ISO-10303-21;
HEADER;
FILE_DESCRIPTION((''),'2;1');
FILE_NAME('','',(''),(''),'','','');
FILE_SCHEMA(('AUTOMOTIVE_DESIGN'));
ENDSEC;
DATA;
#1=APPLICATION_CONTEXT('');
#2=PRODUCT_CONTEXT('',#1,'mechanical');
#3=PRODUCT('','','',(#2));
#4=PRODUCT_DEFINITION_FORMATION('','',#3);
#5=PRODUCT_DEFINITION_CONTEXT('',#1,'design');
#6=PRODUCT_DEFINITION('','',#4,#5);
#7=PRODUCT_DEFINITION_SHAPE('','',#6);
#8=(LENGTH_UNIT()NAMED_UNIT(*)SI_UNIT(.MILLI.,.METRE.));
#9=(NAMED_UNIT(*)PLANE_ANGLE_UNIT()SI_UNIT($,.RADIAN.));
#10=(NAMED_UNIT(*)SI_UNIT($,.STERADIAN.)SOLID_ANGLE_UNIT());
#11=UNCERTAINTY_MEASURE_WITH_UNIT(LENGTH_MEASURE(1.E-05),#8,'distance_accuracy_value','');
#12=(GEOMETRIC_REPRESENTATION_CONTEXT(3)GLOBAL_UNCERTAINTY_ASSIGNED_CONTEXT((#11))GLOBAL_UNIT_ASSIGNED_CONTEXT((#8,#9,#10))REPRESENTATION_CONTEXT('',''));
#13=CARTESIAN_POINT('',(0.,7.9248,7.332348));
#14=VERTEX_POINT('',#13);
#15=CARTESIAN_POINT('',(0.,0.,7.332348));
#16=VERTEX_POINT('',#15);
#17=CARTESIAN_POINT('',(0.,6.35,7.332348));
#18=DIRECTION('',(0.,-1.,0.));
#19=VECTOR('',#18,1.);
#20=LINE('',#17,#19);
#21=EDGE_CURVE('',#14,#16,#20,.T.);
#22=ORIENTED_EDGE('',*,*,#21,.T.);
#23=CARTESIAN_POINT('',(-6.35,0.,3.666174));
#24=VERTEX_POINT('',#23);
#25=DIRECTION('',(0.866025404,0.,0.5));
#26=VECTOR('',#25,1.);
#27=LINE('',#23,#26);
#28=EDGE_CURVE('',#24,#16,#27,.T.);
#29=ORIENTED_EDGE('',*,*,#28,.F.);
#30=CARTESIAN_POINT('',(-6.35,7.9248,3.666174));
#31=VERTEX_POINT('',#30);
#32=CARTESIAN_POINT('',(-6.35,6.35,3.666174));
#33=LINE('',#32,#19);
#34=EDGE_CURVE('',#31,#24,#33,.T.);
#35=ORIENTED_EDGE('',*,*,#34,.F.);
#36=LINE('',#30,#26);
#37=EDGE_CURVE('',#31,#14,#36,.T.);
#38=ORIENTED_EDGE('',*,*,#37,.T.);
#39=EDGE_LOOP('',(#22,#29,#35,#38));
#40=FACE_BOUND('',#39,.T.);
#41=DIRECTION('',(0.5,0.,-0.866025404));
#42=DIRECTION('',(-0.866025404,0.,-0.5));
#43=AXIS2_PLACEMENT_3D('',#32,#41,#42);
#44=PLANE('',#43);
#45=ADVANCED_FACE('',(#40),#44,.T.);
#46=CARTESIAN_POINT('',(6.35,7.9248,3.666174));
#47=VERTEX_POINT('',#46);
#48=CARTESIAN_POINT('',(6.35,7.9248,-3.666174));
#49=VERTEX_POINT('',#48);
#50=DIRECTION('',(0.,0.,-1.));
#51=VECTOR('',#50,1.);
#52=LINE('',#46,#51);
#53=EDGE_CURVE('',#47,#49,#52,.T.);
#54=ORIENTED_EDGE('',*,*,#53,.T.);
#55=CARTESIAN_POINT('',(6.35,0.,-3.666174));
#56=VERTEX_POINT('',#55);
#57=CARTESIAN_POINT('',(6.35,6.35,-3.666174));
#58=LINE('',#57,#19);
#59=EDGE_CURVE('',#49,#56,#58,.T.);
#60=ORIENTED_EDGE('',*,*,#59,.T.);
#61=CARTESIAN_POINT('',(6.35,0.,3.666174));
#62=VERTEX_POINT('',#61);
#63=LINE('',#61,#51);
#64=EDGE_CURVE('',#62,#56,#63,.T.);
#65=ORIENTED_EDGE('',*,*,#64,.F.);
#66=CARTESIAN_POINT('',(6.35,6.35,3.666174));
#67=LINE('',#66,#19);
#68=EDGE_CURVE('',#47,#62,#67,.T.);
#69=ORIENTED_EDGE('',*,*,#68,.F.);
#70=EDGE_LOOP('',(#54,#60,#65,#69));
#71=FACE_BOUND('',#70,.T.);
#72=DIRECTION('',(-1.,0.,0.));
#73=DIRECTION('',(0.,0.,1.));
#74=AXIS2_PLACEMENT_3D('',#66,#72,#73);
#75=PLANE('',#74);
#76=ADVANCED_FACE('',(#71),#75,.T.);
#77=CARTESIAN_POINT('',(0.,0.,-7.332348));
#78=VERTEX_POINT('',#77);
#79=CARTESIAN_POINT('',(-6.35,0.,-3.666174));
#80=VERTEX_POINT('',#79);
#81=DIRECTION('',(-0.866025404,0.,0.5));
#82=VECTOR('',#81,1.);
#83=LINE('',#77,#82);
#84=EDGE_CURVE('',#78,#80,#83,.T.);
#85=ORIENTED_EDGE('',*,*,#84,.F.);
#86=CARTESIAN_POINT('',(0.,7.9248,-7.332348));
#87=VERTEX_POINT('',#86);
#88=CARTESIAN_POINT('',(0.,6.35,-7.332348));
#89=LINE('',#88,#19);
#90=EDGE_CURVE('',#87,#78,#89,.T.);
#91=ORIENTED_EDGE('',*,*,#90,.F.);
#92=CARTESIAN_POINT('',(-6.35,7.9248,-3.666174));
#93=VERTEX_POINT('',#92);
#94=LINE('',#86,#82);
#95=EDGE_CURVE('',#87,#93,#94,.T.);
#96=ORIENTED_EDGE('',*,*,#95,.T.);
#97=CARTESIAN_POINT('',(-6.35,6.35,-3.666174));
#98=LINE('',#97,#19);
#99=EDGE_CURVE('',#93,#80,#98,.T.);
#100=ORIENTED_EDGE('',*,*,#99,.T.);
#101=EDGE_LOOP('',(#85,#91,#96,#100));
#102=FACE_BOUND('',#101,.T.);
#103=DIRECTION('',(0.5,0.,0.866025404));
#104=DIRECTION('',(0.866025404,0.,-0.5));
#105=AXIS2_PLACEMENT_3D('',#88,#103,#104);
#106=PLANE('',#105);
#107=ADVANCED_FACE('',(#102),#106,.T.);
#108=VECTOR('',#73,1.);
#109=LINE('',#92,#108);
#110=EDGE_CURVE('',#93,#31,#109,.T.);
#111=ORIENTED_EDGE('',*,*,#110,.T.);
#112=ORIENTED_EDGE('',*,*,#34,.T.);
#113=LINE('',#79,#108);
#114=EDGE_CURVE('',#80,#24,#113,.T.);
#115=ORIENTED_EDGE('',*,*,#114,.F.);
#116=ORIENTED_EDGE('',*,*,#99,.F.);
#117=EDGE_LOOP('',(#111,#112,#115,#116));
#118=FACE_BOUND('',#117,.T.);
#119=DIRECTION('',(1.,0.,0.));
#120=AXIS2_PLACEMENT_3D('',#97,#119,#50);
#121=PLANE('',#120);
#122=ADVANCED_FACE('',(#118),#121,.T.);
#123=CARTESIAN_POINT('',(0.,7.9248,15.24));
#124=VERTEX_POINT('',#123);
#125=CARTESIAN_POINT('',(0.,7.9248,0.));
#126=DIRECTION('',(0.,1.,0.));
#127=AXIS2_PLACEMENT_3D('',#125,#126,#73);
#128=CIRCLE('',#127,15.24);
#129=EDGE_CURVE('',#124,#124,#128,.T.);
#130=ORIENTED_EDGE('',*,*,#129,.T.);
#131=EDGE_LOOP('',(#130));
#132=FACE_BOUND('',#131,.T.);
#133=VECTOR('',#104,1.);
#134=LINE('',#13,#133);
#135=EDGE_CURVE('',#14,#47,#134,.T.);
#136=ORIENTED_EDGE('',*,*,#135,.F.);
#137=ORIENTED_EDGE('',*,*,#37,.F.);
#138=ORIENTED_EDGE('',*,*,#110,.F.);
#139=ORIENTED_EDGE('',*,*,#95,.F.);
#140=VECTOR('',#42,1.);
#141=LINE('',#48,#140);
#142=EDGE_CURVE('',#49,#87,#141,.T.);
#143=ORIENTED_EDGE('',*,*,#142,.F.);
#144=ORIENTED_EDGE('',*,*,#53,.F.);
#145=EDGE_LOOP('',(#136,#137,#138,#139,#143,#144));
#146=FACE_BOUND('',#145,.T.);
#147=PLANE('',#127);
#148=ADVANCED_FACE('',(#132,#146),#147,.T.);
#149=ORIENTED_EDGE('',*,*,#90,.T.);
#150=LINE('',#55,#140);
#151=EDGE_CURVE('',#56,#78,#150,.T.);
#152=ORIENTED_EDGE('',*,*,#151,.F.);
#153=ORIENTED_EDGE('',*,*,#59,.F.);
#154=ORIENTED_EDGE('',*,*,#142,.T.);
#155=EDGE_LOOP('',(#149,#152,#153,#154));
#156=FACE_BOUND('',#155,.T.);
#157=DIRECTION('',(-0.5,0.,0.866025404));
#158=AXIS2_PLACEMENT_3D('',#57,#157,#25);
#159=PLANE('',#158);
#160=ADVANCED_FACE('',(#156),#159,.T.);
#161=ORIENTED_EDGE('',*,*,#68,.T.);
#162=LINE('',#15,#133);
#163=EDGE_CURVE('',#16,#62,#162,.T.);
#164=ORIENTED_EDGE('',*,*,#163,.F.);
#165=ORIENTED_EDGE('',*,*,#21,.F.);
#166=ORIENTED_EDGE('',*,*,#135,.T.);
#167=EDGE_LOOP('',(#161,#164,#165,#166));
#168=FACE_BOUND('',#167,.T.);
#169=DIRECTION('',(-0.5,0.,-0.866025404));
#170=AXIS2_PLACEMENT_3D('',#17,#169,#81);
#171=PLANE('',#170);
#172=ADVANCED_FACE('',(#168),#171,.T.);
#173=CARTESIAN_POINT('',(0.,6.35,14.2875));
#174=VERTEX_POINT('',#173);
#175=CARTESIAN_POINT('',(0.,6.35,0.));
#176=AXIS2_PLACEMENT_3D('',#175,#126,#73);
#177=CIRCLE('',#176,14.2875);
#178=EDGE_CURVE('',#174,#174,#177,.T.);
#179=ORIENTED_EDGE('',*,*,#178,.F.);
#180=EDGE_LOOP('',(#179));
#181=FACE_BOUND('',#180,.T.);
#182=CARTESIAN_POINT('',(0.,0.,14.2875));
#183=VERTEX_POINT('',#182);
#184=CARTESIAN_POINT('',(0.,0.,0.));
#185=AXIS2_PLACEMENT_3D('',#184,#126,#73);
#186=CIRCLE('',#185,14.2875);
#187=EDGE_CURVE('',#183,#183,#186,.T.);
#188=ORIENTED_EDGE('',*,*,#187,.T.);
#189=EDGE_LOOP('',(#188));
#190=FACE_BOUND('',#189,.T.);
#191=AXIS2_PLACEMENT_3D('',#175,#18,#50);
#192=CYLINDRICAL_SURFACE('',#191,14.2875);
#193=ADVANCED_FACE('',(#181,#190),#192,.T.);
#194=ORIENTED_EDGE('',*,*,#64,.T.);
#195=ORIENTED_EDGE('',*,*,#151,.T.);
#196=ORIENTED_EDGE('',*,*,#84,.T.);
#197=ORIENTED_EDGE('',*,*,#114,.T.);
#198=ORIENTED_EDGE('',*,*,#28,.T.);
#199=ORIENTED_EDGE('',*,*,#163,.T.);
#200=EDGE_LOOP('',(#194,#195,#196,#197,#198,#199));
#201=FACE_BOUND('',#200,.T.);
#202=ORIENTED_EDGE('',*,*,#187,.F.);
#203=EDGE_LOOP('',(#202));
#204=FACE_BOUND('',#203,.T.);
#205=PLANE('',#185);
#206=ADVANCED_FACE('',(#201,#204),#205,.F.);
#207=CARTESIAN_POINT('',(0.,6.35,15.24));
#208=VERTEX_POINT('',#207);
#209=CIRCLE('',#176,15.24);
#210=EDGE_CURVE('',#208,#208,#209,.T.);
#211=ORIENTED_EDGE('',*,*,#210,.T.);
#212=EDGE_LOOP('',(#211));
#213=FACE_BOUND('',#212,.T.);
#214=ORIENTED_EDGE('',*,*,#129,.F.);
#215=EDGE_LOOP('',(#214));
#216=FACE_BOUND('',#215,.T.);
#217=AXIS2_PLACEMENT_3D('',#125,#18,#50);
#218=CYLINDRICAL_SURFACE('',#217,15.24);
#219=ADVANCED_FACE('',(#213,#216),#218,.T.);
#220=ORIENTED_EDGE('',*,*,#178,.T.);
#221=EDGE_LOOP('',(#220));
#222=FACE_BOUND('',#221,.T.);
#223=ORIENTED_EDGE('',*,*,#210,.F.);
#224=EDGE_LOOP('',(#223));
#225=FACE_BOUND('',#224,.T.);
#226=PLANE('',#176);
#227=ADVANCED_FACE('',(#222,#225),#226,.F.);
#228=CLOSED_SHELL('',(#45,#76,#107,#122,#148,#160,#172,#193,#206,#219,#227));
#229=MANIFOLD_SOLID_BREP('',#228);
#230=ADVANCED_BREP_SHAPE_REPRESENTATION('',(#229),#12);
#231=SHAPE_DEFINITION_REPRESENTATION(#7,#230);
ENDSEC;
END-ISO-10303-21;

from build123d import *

# Parameters (mm, degrees)
SKETCH1_R           = 14.2875
BOSS_EXTRUDE1_DEPTH = 6.35
SKETCH2_R           = 15.24
BOSS_EXTRUDE2_DEPTH = 1.5748


with BuildPart() as part:
    # Sketch1 → Boss-Extrude1 (new body)
    with BuildSketch(Plane(origin=(0, 0, 0), x_dir=(1, 0, 0), z_dir=(0, 1, 0))):
        with Locations(Location((0, 0, 0), (0, 0, 270))):
            Circle(SKETCH1_R)
        Polygon((0, -7.332348419), (6.35, -3.666174209), (6.35, 3.666174209), (0, 7.332348419), (-6.35, 3.666174209), (-6.35, -3.666174209), align=None, mode=Mode.SUBTRACT)
    extrude(amount=BOSS_EXTRUDE1_DEPTH)

    # Sketch2 → Boss-Extrude2 (add)
    with BuildSketch(Plane(origin=(0, 6.35, 0), x_dir=(1, 0, 0), z_dir=(0, 1, 0))):
        with Locations(Location((0, 0, 0), (0, 0, 270))):
            Circle(SKETCH2_R)
        Polygon((0, 7.332348419), (-6.35, 3.666174209), (-6.35, -3.666174209), (0, -7.332348419), (6.35, -3.666174209), (6.35, 3.666174209), align=None, mode=Mode.SUBTRACT)
    extrude(amount=BOSS_EXTRUDE2_DEPTH)


solid = part.part
